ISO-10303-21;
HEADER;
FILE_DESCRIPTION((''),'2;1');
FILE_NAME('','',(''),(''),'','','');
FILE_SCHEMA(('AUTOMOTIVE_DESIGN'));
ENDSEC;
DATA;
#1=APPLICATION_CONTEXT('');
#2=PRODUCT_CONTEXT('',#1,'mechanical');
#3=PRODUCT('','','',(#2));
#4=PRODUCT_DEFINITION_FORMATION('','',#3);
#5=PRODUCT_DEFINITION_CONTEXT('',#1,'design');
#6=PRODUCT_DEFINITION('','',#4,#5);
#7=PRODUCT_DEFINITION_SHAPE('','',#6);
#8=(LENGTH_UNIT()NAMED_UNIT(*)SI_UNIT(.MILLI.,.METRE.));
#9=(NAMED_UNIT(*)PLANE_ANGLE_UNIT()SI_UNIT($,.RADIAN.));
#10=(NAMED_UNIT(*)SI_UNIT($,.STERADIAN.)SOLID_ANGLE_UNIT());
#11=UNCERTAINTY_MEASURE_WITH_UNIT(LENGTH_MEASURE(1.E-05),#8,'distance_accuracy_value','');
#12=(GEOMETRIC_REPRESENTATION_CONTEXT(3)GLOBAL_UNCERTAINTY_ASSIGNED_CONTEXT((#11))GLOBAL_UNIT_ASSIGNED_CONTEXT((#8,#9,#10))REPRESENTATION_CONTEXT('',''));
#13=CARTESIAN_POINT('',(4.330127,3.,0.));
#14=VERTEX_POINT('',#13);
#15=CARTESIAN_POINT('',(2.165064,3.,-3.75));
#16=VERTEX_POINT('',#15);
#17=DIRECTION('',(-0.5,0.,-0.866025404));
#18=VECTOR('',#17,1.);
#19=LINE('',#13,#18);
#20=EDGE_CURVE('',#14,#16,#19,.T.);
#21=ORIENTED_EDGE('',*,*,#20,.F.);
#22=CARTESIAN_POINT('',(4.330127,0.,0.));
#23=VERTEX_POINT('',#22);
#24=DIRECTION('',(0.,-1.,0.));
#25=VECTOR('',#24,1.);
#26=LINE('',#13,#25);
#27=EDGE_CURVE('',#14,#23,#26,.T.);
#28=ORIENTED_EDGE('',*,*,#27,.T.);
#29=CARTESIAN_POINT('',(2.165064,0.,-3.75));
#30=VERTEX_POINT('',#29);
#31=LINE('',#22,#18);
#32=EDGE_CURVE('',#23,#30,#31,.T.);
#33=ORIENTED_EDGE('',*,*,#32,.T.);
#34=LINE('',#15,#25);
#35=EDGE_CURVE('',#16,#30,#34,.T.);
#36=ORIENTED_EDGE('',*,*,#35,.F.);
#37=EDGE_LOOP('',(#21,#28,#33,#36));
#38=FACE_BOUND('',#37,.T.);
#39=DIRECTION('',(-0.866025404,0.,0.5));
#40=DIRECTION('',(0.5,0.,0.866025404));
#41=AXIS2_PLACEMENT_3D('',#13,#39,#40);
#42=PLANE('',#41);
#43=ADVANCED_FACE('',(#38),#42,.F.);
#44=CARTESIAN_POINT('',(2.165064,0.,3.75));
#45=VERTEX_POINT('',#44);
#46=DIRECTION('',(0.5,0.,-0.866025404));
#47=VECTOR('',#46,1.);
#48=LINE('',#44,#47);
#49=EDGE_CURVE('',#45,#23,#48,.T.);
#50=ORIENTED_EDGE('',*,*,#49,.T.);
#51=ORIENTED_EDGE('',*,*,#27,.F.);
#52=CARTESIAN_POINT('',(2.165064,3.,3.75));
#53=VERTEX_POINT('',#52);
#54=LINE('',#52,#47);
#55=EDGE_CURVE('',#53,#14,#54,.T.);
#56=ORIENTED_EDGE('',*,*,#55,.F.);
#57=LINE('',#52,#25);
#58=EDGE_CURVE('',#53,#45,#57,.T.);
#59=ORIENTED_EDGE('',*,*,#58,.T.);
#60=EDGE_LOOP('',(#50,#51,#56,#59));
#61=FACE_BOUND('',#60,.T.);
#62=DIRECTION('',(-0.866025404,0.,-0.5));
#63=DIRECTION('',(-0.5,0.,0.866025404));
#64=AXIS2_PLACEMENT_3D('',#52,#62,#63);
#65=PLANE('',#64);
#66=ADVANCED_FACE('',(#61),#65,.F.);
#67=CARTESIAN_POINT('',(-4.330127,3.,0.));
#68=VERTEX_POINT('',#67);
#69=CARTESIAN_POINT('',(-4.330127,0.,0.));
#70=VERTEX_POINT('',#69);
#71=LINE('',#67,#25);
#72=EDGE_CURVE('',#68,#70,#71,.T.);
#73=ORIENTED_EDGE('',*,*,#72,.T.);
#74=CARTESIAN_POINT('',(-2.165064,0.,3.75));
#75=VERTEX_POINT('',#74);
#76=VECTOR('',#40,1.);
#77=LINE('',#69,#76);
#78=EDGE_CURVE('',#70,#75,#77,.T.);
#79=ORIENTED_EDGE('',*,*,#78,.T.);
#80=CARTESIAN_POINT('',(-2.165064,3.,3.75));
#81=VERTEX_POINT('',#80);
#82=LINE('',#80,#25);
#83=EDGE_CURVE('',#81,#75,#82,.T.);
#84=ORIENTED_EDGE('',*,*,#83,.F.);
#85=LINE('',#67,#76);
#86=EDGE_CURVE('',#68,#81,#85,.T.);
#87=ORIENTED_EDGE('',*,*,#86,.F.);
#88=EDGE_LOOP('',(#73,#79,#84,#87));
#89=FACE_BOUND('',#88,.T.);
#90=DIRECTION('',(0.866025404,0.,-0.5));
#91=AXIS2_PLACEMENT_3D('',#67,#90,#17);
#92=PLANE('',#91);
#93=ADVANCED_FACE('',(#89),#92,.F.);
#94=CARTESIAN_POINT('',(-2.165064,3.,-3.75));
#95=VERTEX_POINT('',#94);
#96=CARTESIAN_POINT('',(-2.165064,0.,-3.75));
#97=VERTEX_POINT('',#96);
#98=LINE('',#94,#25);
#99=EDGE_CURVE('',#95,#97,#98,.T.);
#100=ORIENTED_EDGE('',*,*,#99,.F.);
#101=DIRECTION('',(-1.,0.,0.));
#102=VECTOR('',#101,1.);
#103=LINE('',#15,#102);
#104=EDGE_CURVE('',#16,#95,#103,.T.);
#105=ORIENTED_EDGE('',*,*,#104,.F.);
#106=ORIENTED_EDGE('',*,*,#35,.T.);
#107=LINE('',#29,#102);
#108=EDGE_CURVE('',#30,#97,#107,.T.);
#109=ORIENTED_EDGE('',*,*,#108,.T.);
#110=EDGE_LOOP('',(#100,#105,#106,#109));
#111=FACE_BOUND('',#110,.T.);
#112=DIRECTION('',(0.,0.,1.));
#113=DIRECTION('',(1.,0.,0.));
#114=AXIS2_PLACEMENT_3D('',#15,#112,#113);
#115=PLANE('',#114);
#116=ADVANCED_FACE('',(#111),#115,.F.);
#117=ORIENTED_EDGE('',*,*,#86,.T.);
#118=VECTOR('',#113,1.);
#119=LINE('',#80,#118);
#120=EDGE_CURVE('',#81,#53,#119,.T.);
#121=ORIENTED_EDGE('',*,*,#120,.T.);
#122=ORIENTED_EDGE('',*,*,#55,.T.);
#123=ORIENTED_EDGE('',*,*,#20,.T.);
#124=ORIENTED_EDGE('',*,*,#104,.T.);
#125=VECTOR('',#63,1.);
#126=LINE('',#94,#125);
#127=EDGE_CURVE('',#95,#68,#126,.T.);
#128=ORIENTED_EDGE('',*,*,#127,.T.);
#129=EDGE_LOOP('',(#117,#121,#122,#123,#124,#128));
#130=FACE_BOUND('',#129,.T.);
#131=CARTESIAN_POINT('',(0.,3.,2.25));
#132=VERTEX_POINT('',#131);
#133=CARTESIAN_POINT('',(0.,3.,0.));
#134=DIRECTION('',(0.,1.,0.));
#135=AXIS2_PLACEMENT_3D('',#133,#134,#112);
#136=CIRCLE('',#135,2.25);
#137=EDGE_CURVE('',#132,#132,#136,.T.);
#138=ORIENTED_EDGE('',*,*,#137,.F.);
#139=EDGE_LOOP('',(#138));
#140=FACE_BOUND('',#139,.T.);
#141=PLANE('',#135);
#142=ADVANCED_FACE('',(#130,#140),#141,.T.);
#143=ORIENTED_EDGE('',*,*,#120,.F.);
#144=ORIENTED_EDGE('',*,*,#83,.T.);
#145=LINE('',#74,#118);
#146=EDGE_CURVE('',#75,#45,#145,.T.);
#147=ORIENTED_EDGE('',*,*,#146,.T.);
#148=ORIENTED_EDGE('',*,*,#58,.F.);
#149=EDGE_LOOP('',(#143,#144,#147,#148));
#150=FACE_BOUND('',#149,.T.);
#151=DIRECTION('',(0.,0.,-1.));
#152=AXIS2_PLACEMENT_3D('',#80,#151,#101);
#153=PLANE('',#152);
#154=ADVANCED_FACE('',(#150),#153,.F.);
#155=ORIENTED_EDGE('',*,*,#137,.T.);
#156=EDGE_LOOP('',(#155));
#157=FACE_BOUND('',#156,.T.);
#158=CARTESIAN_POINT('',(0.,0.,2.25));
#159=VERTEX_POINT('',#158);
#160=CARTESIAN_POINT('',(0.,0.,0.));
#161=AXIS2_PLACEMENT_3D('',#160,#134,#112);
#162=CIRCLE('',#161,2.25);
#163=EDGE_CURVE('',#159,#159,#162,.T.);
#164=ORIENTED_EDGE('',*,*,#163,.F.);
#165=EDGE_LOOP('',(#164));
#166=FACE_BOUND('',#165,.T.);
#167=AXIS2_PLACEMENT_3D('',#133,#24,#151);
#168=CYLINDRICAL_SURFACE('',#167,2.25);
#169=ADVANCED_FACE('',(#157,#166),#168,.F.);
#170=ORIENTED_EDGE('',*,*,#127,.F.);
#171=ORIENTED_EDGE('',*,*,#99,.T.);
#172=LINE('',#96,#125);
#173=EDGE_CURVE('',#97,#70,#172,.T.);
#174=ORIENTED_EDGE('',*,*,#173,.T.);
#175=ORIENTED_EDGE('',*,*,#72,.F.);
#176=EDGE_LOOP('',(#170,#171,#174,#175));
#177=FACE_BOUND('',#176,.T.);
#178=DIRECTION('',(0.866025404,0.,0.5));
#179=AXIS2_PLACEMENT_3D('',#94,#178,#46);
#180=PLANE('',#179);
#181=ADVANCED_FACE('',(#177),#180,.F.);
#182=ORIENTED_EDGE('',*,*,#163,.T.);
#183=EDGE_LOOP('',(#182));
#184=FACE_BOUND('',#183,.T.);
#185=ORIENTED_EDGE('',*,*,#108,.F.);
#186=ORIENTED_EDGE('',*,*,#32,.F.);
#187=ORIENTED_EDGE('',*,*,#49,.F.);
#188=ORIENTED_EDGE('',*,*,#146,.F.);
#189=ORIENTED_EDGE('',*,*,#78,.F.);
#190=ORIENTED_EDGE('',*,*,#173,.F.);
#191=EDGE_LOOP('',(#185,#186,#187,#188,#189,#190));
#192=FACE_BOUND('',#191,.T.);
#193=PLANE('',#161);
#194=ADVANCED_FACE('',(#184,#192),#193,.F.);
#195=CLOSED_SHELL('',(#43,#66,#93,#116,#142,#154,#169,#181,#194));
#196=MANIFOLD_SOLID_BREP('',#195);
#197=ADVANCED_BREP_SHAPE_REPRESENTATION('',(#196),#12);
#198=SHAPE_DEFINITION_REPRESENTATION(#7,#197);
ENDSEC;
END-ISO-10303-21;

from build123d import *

# Parameters (mm, degrees)
SKETCH1_R           = 2.25
BOSS_EXTRUDE1_DEPTH = 3


with BuildPart() as part:
    # Sketch1 → Boss-Extrude1 (new body)
    with BuildSketch(Plane(origin=(0, 0, 0), x_dir=(1, 0, 0), z_dir=(0, 1, 0))):
        Polygon((2.165063509, 3.75), (-2.165063509, 3.75), (-4.330127019, 0), (-2.165063509, -3.75), (2.165063509, -3.75), (4.330127019, 0), align=None)
        Circle(SKETCH1_R, mode=Mode.SUBTRACT)
    extrude(amount=BOSS_EXTRUDE1_DEPTH)


solid = part.part
